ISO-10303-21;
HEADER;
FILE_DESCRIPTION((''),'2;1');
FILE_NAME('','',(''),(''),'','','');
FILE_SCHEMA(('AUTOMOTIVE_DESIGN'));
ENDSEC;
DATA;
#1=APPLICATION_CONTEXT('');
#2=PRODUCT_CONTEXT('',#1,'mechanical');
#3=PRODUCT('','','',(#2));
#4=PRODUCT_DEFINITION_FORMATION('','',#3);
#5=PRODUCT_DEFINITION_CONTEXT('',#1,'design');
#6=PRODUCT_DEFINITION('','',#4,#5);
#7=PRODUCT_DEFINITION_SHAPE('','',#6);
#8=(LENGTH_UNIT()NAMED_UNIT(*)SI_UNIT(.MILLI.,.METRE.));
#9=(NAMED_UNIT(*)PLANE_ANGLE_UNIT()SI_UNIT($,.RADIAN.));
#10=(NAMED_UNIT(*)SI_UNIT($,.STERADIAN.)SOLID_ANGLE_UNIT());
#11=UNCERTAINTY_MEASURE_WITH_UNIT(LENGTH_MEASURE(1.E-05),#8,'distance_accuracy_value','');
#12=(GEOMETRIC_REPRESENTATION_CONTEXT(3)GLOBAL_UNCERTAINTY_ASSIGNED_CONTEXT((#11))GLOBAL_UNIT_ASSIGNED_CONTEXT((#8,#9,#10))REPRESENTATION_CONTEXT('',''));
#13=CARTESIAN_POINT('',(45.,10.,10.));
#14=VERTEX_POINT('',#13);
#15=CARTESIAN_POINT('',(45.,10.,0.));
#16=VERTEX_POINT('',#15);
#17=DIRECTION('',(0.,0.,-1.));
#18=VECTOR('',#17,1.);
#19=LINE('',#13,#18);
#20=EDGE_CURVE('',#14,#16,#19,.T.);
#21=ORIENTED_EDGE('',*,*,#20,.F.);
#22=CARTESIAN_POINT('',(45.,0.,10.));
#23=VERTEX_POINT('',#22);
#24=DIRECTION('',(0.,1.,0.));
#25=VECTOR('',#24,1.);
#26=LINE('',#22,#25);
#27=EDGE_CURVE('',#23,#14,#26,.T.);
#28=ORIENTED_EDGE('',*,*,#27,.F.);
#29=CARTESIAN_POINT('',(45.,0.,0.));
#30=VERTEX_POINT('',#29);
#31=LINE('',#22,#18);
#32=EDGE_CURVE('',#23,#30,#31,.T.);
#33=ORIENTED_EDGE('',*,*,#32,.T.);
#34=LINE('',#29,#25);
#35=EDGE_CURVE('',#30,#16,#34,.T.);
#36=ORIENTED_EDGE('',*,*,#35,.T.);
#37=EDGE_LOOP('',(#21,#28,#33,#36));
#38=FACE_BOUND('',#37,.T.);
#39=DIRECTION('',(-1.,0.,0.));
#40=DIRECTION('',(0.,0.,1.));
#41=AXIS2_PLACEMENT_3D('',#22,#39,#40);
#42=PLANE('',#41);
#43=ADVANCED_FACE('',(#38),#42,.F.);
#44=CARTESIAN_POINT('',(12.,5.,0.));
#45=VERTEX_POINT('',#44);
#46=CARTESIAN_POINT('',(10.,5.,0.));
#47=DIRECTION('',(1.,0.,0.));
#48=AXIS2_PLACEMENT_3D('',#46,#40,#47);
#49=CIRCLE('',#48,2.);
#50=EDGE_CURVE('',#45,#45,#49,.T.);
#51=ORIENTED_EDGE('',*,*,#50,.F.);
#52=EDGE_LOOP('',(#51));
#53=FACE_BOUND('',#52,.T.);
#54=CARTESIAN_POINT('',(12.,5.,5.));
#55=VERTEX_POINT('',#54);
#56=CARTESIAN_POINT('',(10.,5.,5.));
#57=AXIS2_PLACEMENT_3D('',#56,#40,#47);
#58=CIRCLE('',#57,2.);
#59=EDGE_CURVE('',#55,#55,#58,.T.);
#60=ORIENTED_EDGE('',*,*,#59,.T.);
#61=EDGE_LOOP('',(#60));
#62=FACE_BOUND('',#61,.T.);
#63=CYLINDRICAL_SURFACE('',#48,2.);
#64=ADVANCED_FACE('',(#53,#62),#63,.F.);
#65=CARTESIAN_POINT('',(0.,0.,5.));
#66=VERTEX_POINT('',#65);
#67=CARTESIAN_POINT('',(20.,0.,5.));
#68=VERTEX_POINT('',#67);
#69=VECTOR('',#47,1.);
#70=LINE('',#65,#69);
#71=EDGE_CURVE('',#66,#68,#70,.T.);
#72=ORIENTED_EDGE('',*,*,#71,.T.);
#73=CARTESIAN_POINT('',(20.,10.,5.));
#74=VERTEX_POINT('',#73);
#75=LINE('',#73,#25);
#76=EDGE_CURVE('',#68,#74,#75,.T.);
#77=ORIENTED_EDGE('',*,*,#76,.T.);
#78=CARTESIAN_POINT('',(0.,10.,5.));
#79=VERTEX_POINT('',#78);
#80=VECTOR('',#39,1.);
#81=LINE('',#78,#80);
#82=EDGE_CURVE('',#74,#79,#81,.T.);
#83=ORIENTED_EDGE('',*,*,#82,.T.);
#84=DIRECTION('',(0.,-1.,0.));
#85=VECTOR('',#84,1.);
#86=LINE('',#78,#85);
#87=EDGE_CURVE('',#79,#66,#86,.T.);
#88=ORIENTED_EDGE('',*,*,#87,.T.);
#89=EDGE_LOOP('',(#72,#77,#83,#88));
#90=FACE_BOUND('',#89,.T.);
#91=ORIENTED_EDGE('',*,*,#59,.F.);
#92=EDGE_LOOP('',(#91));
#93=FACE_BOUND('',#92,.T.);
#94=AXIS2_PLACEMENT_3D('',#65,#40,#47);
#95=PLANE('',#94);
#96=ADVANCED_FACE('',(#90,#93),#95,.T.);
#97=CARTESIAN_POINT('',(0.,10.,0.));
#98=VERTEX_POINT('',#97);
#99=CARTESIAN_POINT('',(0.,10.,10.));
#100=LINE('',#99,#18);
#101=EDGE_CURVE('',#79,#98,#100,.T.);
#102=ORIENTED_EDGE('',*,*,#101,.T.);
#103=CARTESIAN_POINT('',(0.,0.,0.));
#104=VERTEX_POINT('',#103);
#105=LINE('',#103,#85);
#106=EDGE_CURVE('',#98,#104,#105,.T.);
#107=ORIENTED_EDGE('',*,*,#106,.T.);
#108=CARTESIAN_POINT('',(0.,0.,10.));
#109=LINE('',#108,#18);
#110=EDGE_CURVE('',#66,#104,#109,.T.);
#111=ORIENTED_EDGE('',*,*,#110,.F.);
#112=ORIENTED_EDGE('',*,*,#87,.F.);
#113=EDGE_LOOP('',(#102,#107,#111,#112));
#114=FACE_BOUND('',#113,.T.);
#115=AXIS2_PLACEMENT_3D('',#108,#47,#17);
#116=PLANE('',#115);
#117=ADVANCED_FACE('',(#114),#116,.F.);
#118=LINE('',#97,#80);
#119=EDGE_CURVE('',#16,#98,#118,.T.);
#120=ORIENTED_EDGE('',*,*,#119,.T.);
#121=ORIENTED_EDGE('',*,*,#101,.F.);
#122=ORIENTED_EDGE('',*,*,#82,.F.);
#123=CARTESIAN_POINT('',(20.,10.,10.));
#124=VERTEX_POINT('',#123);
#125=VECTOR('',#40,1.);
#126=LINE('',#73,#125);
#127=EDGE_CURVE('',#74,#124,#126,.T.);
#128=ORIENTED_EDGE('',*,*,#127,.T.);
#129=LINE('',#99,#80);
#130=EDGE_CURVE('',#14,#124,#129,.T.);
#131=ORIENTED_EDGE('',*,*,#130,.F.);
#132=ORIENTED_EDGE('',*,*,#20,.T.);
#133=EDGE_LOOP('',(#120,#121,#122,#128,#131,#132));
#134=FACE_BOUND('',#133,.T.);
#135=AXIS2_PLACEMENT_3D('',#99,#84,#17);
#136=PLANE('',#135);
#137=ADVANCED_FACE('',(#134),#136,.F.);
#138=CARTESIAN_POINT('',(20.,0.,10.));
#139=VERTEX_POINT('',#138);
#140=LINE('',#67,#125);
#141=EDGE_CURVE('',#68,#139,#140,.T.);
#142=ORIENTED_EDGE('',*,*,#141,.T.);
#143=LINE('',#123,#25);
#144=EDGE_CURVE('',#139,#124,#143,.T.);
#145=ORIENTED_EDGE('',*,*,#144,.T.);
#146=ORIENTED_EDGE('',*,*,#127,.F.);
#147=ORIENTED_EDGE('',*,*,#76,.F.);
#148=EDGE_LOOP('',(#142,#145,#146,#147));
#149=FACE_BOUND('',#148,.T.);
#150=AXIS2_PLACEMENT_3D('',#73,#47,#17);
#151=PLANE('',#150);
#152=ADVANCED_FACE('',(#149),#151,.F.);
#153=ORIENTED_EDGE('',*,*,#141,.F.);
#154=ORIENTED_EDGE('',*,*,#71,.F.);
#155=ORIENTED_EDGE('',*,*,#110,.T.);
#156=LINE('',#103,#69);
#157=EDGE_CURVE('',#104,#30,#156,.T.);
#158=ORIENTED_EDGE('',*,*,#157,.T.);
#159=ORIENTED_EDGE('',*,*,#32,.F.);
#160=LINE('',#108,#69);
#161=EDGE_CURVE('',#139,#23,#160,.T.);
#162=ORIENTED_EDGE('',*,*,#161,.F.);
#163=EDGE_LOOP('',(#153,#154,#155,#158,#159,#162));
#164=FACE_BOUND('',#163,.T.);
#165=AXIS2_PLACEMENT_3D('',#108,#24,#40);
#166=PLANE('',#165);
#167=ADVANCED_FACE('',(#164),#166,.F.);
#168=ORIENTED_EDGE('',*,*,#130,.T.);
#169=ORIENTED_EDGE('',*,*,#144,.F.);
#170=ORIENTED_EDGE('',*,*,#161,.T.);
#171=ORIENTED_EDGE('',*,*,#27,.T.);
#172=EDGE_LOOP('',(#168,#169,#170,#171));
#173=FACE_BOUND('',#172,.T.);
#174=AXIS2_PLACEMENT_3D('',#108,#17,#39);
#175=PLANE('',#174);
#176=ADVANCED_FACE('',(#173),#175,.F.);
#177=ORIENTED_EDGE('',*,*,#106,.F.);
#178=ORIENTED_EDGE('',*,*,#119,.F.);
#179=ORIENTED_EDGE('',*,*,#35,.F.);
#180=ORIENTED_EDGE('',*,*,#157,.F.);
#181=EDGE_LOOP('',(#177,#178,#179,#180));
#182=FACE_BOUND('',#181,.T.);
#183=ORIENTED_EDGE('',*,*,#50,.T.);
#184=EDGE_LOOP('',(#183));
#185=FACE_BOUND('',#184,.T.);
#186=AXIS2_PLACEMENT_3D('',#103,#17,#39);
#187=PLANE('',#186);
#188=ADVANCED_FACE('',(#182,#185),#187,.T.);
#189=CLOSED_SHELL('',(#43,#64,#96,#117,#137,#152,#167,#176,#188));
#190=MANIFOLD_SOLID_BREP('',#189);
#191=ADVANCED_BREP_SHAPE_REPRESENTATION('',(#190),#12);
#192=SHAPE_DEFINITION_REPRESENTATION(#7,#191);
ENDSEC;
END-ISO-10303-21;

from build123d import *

# Parameters (mm, degrees)
SKETCH1_W           = 45
SKETCH1_H           = 10
BOSS_EXTRUDE1_DEPTH = 10
SKETCH2_W           = 20
SKETCH2_H           = 10
CUT_EXTRUDE1_DEPTH  = 5
SKETCH3_R           = 2
CUT_EXTRUDE2_DEPTH  = 5


with BuildPart() as part:
    # Sketch1 → Boss-Extrude1 (new body)
    with BuildSketch(Plane.XY):
        with Locations((22.5, 5)):
            Rectangle(SKETCH1_W, SKETCH1_H)
    extrude(amount=BOSS_EXTRUDE1_DEPTH)

    # Sketch2 → Cut-Extrude1 (cut)
    with BuildSketch(Plane.XY.offset(10)):
        with Locations((10, 5)):
            Rectangle(SKETCH2_W, SKETCH2_H)
    extrude(amount=-CUT_EXTRUDE1_DEPTH, mode=Mode.SUBTRACT)

    # Sketch3 → Cut-Extrude2 (cut)
    with BuildSketch(Plane.XY.offset(5)):
        with Locations((10, 5)):
            Circle(SKETCH3_R)
    extrude(amount=-CUT_EXTRUDE2_DEPTH, mode=Mode.SUBTRACT)


solid = part.part
